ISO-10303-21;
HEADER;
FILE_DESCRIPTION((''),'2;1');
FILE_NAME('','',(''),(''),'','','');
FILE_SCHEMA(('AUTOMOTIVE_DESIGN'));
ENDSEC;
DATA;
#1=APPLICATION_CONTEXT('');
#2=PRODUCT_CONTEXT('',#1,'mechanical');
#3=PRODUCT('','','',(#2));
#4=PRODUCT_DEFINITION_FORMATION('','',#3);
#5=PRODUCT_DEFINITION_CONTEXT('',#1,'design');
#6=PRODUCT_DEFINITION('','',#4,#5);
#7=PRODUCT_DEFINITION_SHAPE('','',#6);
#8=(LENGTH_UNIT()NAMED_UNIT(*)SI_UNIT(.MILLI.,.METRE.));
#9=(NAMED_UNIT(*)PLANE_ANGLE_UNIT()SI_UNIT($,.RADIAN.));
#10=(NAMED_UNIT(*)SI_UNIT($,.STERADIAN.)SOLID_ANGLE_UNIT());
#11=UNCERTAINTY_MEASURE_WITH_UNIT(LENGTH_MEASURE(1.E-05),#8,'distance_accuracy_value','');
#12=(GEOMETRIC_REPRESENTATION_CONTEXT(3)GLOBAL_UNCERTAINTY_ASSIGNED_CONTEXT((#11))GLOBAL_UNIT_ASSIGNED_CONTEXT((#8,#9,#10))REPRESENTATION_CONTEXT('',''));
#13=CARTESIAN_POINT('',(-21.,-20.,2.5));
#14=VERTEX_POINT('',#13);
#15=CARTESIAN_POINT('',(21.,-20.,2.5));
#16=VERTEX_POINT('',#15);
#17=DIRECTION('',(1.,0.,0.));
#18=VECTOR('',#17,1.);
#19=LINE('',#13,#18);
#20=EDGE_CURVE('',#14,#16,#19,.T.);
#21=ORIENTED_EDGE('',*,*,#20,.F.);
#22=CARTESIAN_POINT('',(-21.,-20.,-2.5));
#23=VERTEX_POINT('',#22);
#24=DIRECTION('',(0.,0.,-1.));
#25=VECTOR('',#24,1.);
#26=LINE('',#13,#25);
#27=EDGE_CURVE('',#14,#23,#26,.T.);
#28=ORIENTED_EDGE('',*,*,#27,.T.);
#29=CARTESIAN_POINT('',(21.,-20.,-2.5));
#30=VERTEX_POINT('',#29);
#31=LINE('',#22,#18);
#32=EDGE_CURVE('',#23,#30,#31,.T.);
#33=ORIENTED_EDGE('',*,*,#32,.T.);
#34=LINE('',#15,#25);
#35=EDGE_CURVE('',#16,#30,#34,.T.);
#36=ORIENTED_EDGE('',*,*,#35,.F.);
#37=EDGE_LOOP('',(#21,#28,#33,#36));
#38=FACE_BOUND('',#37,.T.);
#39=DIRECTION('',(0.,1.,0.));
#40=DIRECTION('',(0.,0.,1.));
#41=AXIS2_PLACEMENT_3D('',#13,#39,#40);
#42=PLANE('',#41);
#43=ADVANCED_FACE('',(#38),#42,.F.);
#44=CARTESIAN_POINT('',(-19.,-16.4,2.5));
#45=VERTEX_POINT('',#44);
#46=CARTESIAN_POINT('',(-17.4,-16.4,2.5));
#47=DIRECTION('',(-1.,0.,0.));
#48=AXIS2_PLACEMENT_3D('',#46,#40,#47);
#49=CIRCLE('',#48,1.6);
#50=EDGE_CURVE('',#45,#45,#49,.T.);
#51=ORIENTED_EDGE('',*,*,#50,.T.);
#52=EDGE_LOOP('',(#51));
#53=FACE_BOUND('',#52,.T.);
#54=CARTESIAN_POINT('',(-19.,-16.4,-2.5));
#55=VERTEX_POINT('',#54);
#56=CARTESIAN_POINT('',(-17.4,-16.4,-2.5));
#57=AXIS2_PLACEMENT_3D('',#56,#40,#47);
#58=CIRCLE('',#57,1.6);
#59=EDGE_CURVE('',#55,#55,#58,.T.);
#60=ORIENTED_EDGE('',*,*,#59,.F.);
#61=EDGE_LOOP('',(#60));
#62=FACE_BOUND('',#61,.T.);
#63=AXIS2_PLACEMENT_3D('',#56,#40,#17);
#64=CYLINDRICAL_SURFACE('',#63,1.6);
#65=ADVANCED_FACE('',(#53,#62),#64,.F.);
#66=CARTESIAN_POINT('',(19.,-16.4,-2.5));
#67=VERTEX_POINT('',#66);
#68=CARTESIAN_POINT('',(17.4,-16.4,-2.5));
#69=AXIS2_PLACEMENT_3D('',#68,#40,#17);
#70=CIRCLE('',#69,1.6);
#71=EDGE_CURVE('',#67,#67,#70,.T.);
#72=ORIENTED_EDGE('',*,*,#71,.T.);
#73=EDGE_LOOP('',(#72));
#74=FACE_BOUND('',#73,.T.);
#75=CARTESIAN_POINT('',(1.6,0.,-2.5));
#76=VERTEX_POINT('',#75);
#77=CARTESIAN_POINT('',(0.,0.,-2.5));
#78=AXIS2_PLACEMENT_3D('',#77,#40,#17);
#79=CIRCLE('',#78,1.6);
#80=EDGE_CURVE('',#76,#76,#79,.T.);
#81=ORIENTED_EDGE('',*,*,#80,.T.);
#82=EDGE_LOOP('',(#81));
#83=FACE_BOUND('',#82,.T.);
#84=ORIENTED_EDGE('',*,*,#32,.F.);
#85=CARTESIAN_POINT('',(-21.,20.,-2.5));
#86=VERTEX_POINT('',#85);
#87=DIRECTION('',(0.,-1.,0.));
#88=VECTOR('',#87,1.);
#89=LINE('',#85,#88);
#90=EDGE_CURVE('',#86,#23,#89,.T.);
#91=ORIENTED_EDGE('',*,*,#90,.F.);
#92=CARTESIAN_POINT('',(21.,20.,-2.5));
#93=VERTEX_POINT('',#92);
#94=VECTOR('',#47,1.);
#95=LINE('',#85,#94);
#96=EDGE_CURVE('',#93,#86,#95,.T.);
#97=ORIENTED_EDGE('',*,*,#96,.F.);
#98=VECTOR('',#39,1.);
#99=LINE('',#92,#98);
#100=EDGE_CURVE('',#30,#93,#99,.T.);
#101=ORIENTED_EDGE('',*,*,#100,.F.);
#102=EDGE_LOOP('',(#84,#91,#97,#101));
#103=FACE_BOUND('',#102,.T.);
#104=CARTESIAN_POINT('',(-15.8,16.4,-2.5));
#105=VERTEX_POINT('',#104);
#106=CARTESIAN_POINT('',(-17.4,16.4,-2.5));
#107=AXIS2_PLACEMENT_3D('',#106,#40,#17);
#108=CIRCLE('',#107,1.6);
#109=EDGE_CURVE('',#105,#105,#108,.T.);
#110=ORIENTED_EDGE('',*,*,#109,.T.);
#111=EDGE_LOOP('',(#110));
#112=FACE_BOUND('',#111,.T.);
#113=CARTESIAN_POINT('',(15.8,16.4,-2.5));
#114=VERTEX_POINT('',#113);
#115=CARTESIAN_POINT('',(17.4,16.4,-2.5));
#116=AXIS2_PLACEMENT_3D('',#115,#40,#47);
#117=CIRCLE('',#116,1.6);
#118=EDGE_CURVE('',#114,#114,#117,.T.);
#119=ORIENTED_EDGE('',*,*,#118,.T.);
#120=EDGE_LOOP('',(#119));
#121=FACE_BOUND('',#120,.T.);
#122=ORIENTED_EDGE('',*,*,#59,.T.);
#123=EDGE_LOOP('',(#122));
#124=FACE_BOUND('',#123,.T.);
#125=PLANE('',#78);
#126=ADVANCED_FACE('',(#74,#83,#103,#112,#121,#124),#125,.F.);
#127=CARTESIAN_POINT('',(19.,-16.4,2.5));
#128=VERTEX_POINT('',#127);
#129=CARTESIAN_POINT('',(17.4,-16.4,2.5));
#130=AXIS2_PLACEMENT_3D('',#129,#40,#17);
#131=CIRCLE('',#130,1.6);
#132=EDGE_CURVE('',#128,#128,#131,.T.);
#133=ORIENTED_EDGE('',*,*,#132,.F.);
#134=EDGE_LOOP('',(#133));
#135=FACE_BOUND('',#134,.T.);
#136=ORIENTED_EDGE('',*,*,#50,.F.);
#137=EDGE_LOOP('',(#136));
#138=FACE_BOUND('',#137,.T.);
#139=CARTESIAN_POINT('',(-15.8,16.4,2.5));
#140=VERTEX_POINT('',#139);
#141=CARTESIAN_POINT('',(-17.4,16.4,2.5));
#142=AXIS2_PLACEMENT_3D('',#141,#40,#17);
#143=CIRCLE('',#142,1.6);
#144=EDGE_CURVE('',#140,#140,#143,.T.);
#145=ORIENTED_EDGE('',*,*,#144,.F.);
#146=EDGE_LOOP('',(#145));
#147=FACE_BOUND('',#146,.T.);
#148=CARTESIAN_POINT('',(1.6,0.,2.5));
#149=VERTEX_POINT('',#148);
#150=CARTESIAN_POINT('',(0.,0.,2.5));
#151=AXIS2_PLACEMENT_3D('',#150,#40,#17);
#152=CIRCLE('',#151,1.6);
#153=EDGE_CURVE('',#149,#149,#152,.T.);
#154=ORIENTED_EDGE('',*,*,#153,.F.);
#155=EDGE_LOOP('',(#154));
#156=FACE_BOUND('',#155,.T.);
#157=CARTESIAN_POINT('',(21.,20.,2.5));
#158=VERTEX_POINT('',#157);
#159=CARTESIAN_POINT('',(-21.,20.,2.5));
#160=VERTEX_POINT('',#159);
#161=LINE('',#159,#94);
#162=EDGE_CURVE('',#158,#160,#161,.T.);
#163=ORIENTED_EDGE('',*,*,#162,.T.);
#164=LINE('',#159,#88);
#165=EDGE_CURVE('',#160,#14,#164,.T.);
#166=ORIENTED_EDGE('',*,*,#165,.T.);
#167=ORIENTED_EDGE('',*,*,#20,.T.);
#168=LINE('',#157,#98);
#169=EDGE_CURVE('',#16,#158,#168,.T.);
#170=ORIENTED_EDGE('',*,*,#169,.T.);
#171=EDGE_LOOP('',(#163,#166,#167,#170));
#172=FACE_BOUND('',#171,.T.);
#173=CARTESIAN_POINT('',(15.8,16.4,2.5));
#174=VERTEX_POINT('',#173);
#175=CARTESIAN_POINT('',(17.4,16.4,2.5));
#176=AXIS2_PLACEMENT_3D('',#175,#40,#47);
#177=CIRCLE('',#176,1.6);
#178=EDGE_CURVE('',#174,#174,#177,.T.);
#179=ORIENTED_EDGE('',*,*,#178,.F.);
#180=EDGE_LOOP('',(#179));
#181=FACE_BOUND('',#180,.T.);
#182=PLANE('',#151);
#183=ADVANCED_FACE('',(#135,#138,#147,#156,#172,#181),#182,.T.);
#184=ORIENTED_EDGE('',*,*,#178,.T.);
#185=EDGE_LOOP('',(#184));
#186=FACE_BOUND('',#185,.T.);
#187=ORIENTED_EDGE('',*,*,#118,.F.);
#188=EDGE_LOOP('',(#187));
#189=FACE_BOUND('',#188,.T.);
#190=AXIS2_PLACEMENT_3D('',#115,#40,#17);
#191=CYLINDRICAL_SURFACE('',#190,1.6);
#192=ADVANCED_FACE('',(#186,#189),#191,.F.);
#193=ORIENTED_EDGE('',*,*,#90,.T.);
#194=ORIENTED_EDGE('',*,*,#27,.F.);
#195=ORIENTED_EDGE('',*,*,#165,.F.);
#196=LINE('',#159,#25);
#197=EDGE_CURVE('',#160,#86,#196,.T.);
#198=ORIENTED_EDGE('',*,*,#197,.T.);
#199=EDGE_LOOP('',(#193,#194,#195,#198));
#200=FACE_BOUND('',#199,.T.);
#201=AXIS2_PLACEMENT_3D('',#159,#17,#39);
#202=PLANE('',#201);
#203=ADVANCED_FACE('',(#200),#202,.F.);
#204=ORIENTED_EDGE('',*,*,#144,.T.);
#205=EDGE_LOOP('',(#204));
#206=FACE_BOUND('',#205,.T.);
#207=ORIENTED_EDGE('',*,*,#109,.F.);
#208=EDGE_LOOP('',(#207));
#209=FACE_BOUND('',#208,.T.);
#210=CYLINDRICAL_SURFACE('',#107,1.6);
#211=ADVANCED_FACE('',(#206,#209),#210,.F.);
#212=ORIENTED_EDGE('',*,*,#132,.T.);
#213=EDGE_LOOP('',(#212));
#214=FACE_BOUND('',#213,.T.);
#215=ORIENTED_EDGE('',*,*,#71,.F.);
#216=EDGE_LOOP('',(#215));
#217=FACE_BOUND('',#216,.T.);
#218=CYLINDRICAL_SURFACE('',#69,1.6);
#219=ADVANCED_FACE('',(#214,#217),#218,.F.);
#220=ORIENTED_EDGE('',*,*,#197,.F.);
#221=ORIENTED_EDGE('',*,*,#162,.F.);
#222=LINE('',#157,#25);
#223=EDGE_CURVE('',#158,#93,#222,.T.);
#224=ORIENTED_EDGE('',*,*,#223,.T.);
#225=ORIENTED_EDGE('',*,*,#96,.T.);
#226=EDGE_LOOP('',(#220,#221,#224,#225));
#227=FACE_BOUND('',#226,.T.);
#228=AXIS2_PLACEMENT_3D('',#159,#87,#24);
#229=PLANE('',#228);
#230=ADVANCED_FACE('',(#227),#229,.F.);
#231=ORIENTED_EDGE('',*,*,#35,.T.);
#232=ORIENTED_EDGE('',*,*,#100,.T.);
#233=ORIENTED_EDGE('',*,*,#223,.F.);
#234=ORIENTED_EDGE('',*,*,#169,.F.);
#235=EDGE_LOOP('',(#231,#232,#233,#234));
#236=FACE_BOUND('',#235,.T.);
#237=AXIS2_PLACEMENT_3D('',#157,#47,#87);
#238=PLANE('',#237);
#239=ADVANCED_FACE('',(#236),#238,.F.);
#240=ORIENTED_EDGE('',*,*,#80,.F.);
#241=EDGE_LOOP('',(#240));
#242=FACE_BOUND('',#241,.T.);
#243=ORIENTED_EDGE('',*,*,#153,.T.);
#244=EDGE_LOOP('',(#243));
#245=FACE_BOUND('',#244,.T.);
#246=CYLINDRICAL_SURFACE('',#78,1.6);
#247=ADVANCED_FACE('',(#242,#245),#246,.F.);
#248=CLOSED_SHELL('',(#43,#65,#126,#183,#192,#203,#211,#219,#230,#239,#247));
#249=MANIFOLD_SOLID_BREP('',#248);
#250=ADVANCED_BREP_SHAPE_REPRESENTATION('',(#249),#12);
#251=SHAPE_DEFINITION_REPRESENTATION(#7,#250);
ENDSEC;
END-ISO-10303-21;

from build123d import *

# Parameters (mm, degrees)
SKETCH1_W           = 42
SKETCH1_H           = 40
BOSS_EXTRUDE1_DEPTH = 2.5
SKETCH2_R           = 1.6
CUT_EXTRUDE1_DEPTH  = 30.427877939


with BuildPart() as part:
    # Sketch1 → Boss-Extrude1 (new, symmetric)
    with BuildSketch(Plane.XY):
        Rectangle(SKETCH1_W, SKETCH1_H)
    extrude(amount=BOSS_EXTRUDE1_DEPTH, both=True)

    # Sketch2 → Cut-Extrude1 (cut, through all)
    with BuildSketch(Plane.XY.offset(2.5)):
        with Locations((-17.4, 16.4)):
            Circle(SKETCH2_R)
        with Locations(Location((17.4, 16.4, 0), (0, 0, 180))):
            Circle(SKETCH2_R)
        with Locations((17.4, -16.4)):
            Circle(SKETCH2_R)
        with Locations(Location((-17.4, -16.4, 0), (0, 0, 180))):
            Circle(SKETCH2_R)
        Circle(SKETCH2_R)
    extrude(amount=-CUT_EXTRUDE1_DEPTH, mode=Mode.SUBTRACT)


solid = part.part
